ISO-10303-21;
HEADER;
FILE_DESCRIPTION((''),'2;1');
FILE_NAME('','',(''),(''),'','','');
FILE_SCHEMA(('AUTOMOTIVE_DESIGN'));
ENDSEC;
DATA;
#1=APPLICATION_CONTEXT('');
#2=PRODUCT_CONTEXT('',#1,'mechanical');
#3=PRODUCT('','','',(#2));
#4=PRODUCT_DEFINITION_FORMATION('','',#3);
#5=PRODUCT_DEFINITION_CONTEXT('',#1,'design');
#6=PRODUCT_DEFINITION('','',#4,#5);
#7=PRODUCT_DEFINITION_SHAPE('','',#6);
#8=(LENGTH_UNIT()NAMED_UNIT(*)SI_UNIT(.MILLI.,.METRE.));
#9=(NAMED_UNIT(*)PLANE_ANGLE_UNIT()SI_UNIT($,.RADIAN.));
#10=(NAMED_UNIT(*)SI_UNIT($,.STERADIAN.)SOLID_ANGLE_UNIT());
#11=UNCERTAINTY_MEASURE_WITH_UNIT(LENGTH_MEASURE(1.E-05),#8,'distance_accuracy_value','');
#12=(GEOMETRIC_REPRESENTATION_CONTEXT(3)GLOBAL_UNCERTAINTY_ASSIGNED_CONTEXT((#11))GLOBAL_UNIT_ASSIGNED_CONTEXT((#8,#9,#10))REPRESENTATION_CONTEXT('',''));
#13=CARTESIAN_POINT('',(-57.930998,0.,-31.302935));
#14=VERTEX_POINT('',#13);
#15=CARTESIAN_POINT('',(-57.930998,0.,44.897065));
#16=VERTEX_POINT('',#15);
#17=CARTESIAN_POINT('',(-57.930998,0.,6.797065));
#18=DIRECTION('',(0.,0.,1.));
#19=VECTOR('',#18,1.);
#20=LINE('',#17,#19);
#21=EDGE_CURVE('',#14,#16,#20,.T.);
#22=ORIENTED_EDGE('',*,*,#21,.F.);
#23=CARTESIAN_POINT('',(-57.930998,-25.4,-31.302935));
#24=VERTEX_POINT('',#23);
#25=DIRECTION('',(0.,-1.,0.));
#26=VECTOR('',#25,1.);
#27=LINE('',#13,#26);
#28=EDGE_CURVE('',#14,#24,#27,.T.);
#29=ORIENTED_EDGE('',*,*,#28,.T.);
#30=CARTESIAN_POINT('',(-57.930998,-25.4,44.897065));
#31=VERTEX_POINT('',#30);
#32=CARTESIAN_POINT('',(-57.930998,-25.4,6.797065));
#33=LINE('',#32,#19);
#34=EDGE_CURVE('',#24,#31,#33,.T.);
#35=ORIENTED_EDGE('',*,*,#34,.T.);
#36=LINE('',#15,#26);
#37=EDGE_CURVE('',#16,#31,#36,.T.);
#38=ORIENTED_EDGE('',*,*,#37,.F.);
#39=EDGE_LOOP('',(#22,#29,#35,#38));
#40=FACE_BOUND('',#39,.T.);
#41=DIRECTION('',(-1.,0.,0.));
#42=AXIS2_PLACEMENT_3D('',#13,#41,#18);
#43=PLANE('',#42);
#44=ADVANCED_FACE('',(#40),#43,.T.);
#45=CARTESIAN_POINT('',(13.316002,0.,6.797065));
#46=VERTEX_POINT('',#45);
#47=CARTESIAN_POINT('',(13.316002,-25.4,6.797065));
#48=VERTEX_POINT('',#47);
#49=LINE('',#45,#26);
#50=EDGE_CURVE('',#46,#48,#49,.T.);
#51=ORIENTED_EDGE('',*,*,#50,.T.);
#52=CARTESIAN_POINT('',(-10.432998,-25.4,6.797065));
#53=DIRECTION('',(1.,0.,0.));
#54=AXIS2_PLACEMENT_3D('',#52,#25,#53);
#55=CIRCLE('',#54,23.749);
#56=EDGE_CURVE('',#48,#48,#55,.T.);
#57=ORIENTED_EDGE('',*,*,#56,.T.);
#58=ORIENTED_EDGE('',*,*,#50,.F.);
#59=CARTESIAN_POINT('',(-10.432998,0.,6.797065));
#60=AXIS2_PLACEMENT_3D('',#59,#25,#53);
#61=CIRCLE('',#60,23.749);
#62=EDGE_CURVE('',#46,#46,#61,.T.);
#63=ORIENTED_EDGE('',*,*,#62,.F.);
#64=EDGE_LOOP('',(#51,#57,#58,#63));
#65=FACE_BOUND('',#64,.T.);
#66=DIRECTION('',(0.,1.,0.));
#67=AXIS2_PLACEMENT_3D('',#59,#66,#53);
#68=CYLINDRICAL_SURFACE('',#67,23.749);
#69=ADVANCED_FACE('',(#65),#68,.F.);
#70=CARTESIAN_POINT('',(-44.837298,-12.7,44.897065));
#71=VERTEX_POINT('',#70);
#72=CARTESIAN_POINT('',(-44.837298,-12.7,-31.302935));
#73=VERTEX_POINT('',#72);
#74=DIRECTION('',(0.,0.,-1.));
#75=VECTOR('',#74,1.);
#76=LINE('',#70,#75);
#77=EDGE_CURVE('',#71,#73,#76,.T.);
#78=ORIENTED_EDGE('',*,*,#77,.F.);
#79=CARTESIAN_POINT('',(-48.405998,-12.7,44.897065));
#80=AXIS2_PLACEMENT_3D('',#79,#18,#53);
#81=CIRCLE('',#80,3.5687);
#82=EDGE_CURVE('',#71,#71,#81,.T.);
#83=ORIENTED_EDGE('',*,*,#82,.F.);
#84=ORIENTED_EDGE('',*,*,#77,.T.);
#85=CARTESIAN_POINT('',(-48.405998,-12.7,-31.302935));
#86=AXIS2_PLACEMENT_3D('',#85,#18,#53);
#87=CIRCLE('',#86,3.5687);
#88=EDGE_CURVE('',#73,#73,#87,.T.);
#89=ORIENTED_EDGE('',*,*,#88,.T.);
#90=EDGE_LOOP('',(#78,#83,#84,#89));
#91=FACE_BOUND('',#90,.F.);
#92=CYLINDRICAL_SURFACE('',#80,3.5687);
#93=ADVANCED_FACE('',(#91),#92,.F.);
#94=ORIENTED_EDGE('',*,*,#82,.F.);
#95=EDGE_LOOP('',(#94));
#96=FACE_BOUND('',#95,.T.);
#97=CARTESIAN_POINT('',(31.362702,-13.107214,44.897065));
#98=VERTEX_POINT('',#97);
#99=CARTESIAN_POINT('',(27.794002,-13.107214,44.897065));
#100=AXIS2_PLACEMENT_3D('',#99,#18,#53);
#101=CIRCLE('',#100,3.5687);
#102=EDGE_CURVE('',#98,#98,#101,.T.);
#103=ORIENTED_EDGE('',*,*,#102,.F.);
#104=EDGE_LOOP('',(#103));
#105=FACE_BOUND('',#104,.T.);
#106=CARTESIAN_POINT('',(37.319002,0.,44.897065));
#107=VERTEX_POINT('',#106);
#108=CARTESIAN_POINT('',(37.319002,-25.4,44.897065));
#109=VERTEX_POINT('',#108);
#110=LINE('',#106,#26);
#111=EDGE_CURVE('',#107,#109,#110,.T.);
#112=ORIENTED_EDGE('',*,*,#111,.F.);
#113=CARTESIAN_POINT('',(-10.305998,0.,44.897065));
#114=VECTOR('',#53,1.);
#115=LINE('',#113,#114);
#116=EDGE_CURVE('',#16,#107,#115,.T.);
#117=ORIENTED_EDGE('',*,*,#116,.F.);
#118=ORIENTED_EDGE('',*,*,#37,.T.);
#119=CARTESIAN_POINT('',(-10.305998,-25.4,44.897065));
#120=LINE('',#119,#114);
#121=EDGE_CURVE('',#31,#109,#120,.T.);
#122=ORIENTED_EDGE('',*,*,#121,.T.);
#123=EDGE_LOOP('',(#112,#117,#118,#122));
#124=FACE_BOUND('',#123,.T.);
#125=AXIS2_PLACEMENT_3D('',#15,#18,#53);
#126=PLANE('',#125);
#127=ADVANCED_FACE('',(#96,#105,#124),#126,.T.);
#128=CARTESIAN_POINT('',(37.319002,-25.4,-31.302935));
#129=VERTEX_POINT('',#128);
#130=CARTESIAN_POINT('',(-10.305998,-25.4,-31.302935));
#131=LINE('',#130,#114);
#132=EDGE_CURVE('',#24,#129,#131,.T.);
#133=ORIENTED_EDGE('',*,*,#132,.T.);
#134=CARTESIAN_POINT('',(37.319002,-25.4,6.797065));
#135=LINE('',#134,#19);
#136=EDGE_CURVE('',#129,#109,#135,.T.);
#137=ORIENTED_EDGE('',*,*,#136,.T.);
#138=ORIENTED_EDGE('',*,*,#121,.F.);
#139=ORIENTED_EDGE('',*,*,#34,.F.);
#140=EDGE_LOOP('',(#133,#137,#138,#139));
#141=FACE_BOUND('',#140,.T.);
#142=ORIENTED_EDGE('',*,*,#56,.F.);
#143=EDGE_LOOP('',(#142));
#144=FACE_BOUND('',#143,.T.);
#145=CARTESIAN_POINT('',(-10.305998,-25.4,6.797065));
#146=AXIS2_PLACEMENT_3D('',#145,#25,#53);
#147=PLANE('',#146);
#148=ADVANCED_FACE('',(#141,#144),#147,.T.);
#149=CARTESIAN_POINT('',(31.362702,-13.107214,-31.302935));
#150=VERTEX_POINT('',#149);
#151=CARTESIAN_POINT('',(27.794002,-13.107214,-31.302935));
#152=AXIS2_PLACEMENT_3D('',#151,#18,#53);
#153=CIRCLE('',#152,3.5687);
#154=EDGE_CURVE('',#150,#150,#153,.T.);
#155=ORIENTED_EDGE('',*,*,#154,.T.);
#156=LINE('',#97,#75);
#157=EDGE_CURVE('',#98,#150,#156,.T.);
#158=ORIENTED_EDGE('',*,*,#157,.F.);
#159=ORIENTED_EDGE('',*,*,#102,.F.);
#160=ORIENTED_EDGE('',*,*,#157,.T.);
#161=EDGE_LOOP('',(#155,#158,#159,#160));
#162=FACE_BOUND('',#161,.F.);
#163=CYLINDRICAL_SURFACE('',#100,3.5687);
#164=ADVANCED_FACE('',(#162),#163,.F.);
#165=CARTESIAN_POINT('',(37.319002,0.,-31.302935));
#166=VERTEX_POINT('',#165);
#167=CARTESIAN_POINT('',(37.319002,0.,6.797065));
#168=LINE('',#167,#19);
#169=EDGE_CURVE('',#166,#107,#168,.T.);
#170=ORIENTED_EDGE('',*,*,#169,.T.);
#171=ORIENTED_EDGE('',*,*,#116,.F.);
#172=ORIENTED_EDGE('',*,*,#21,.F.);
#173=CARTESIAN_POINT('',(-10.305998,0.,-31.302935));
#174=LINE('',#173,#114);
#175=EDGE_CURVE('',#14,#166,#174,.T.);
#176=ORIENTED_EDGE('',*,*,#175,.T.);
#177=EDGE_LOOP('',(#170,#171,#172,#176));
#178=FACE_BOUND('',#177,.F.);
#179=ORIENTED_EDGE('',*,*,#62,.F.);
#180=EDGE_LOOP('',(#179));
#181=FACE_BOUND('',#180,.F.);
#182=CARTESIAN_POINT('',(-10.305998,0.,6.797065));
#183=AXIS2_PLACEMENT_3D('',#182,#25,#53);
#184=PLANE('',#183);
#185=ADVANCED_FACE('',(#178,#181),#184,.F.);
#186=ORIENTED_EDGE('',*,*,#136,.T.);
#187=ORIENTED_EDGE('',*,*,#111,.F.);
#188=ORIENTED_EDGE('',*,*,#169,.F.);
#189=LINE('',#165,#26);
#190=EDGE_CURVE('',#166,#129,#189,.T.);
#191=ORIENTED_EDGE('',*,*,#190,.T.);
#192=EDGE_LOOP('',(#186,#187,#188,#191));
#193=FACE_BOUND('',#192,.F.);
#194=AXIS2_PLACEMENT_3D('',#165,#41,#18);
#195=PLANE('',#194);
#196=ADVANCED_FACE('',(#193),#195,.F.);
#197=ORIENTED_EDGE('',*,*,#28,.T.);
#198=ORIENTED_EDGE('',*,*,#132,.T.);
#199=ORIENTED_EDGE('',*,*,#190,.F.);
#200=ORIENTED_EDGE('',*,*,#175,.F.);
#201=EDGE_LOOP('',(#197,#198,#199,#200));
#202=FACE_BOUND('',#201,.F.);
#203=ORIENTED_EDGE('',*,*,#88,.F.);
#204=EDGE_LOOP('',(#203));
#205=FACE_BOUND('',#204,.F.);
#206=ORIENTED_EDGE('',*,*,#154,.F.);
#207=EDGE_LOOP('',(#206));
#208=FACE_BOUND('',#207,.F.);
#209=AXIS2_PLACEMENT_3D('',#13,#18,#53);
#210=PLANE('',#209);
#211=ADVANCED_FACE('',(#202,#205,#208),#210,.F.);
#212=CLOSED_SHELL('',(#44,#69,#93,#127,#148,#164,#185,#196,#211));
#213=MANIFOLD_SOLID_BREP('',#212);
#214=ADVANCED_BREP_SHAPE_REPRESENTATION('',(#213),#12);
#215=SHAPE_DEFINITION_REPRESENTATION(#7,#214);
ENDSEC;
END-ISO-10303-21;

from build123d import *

# Parameters (mm, degrees)
F0_W     = 95.25
F0_H     = 76.2
F0_R     = 23.749
F1_DEPTH = 25.4
F2_R     = 3.5687
F3_DEPTH = 76.201


with BuildPart() as f1:
    # F0 (on Front) → F1 (new body)
    with BuildSketch(Plane.XZ):
        with Locations((-10.305998, 6.797065)):
            Rectangle(F0_W, F0_H)
        with Locations((-10.432998, 6.797065)):
            Circle(F0_R, mode=Mode.SUBTRACT)
    extrude(amount=F1_DEPTH)

    # F2 (on face) → F3 (cut, through all)
    with BuildSketch(Plane.XY.offset(44.897065)):
        with Locations((-48.405998, -12.7)):
            Circle(F2_R)
        with Locations((27.794002, -13.107214)):
            Circle(F2_R)
    extrude(amount=-F3_DEPTH, mode=Mode.SUBTRACT)


solid = f1.part
